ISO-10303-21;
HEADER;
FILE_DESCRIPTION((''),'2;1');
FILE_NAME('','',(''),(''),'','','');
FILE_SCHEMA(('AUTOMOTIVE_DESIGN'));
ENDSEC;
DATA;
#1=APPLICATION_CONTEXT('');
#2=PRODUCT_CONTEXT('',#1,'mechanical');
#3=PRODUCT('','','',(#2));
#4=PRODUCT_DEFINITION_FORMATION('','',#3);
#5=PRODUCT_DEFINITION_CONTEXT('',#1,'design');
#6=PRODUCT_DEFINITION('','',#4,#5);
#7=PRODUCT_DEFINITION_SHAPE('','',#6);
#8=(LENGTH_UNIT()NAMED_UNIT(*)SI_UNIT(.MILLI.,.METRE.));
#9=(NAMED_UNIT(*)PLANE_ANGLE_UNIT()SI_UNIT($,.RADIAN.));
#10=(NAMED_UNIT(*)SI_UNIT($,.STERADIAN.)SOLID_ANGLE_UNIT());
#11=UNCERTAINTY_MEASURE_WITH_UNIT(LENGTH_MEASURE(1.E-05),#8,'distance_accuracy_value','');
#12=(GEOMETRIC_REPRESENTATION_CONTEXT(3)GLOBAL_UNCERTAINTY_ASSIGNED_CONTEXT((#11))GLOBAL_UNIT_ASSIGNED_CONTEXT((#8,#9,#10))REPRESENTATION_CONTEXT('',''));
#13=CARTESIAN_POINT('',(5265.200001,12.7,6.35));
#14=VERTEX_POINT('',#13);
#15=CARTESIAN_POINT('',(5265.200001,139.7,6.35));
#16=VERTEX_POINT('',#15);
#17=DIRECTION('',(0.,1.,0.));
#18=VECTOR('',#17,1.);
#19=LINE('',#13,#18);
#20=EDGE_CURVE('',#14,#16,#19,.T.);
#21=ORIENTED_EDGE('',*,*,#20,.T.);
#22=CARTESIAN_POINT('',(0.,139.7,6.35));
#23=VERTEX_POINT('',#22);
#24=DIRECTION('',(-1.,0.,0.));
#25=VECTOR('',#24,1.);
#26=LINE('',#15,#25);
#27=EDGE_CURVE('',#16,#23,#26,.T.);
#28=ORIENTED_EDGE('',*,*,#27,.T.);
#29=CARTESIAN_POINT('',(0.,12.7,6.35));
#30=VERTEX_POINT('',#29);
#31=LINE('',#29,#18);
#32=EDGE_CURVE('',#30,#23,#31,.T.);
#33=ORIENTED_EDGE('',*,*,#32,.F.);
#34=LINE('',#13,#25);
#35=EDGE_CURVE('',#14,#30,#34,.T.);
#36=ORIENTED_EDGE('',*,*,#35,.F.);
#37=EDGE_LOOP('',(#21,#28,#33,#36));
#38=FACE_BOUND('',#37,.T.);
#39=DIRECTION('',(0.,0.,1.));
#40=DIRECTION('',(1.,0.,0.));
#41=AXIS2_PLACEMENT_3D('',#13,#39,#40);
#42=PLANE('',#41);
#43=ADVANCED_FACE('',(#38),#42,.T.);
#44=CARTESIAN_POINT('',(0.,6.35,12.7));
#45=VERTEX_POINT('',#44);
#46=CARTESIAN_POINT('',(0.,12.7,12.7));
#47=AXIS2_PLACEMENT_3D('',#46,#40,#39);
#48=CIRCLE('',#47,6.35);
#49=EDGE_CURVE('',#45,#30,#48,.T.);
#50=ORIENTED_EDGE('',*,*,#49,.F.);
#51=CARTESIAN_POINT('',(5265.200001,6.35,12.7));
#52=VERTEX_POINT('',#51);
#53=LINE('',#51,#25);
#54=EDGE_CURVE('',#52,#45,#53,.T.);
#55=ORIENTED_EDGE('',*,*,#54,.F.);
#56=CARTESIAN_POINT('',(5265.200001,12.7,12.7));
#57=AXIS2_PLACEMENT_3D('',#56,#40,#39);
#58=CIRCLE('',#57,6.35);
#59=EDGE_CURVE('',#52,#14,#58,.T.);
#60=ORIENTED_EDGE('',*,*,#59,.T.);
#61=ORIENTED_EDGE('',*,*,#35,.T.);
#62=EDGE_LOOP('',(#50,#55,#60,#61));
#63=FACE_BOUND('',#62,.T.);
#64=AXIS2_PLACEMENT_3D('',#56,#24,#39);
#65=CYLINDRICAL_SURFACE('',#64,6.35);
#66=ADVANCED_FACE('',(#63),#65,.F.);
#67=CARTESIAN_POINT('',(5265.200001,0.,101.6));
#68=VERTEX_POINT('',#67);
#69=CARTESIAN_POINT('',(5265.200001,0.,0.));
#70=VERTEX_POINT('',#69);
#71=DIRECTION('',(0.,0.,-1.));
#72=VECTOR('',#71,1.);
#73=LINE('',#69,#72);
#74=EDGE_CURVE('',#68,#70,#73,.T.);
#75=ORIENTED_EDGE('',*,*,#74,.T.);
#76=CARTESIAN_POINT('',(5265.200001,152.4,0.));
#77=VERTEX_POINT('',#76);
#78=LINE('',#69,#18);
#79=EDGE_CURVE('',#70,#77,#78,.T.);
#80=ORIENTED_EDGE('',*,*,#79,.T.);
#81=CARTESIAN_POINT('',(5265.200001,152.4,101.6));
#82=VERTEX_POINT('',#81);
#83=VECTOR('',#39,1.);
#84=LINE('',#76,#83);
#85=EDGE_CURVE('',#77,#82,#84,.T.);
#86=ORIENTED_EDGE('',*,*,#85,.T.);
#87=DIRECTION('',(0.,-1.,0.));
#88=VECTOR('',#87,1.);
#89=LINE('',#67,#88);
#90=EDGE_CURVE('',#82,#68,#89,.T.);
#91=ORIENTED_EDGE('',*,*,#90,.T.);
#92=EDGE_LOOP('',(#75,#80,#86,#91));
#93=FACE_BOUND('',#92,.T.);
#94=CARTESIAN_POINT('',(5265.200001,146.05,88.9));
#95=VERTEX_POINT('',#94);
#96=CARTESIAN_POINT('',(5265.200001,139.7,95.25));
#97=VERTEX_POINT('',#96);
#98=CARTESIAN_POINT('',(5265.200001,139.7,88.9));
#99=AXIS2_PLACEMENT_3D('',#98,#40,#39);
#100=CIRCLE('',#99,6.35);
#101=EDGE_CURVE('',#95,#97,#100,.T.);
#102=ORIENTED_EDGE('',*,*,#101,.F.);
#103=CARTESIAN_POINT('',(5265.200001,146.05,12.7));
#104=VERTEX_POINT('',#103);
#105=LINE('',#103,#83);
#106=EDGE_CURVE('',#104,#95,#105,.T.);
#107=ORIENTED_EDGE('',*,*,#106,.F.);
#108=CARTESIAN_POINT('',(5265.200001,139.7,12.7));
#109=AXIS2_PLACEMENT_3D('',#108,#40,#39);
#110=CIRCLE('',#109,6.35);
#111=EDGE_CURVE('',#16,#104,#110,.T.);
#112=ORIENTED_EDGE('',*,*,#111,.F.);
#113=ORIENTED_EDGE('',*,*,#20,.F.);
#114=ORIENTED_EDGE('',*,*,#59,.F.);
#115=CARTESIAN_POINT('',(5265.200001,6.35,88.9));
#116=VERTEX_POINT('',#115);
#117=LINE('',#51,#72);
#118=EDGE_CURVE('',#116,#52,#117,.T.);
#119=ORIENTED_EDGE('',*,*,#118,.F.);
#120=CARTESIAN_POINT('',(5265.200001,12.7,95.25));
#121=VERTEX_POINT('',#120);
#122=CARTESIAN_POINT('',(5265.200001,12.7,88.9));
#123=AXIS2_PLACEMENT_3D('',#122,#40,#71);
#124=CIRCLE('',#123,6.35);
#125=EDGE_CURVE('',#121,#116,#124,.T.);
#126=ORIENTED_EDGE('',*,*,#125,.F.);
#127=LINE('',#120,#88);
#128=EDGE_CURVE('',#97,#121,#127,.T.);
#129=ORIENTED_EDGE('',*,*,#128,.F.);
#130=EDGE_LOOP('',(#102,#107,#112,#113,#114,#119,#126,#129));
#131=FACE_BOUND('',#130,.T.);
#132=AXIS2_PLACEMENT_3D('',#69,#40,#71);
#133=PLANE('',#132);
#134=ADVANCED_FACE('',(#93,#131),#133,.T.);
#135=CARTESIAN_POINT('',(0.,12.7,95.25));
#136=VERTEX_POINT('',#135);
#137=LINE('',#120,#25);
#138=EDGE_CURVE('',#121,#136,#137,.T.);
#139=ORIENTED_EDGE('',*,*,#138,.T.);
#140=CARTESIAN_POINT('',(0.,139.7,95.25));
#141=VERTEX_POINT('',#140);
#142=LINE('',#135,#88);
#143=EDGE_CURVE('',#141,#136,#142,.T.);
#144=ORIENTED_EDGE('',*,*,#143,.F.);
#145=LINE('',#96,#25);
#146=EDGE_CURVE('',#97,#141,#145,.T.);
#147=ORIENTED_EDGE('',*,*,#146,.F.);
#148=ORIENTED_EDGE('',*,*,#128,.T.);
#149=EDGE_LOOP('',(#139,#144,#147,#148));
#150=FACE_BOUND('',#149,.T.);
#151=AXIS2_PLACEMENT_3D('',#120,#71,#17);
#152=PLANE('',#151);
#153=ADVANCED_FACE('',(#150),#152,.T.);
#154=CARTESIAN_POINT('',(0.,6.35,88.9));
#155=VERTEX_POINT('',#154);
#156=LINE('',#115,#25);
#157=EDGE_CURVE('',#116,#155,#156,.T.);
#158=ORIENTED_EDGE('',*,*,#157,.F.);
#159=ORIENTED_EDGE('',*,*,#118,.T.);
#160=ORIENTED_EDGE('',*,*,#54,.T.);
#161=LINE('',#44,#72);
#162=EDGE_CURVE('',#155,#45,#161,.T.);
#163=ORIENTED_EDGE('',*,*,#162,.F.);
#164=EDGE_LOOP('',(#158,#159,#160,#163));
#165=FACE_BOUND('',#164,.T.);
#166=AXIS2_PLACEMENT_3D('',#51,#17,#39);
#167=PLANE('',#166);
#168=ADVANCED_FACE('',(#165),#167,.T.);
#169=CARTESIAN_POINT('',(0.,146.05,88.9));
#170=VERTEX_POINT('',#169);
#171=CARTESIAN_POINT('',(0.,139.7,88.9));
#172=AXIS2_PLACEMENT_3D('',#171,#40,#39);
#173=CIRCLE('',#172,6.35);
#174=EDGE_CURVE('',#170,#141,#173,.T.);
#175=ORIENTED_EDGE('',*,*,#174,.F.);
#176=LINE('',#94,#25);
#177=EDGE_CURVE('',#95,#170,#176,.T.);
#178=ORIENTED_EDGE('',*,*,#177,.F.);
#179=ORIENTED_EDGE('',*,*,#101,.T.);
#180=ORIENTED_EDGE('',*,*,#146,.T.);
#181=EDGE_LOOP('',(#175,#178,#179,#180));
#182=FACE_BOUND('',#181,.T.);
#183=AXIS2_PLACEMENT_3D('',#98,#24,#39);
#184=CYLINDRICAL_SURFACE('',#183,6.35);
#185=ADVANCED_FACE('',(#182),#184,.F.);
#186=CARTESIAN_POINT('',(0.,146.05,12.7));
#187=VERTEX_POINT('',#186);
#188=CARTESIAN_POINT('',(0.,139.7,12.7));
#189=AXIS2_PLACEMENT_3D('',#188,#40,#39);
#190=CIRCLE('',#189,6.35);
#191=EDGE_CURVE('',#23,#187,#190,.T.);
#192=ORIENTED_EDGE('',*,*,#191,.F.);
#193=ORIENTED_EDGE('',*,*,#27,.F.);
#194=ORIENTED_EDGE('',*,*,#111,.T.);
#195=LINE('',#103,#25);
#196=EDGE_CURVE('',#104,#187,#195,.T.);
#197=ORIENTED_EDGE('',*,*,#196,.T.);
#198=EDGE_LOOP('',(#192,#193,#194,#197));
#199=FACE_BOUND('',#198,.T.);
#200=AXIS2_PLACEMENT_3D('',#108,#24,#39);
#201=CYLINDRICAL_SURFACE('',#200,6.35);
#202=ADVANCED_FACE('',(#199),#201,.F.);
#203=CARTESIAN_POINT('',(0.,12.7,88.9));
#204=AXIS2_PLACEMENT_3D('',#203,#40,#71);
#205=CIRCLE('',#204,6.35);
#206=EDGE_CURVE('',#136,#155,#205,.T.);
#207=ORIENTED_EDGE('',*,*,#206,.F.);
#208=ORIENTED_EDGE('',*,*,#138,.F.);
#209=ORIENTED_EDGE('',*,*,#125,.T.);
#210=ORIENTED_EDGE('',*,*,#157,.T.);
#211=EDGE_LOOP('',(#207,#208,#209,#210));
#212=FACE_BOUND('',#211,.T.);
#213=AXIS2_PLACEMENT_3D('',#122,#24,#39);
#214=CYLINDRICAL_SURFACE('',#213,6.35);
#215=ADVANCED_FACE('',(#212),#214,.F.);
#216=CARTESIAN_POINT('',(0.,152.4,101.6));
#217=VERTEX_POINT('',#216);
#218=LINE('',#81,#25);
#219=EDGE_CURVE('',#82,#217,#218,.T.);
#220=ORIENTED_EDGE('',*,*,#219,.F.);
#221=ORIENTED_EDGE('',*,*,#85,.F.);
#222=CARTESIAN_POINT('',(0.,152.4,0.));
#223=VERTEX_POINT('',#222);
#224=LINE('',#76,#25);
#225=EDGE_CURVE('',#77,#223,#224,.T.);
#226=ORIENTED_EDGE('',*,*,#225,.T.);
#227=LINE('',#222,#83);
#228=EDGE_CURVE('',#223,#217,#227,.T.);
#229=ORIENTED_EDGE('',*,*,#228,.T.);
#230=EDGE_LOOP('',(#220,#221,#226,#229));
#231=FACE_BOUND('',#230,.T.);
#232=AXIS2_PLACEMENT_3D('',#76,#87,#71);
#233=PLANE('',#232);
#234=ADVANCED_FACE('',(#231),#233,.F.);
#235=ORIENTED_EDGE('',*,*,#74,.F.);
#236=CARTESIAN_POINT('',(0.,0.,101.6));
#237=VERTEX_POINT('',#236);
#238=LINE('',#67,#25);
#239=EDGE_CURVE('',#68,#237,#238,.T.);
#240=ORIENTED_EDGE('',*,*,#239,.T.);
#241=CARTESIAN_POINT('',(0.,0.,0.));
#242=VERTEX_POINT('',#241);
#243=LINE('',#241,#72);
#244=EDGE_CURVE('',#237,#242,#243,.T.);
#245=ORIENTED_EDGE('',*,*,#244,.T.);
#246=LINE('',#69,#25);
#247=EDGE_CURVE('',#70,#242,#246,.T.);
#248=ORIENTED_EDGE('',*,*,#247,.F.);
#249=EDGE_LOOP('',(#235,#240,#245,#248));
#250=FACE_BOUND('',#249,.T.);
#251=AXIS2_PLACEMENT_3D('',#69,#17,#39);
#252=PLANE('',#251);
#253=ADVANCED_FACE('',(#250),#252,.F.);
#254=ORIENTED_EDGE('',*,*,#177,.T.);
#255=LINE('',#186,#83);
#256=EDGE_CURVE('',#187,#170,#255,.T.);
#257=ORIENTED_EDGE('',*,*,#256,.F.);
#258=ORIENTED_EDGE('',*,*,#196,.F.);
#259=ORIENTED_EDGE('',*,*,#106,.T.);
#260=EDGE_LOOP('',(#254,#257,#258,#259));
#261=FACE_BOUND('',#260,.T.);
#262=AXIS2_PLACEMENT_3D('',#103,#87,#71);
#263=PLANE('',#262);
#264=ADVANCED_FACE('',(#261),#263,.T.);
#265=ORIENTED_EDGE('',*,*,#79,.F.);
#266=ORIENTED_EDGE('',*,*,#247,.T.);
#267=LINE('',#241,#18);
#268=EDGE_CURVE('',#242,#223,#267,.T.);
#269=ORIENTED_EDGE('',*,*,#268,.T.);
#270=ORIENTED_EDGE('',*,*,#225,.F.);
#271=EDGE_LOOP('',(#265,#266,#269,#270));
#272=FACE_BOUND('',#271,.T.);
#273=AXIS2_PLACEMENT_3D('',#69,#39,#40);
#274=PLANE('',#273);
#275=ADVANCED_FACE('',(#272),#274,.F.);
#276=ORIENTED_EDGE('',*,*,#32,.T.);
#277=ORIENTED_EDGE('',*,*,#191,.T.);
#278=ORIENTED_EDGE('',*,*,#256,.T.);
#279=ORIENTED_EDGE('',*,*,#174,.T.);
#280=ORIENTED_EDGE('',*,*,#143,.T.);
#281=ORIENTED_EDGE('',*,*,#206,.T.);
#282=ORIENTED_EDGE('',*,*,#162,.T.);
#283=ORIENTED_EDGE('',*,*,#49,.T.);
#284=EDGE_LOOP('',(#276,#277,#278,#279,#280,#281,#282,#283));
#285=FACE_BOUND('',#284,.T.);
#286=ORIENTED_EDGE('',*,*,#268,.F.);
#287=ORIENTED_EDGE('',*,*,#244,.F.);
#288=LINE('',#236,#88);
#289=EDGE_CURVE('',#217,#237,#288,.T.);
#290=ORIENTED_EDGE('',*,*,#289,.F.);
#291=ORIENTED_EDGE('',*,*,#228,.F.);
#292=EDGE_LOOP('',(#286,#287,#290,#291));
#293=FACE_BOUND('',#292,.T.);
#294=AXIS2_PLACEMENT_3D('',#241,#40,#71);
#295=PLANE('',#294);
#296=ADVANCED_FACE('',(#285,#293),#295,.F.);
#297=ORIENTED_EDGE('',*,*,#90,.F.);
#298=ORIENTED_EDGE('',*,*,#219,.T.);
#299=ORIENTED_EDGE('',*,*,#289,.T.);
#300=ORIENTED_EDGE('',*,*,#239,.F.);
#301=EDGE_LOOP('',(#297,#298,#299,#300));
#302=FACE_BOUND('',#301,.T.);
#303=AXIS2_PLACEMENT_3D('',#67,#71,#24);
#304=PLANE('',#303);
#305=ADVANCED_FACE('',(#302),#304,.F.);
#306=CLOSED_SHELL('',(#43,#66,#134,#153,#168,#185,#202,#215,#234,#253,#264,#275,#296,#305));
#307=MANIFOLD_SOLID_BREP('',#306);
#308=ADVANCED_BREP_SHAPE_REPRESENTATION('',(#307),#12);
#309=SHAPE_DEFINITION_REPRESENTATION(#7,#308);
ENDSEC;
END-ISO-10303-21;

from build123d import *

# Parameters (mm, degrees)
SKETCH1_W           = 101.6
SKETCH1_H           = 152.4
BOSS_EXTRUDE1_DEPTH = 5265.200001456


with BuildPart() as part:
    # Sketch1 → Boss-Extrude1 (new body)
    with BuildSketch(Plane(origin=(0, 0, 0), x_dir=(0, 0, -1), z_dir=(1, 0, 0))):
        with Locations((-50.8, 76.2)):
            Rectangle(SKETCH1_W, SKETCH1_H)
        with BuildLine():
            Line((-95.25, 12.7), (-95.25, 139.7))
            ThreePointArc((-95.25, 139.7), (-93.390128061, 144.190128061), (-88.9, 146.05))
            Line((-88.9, 146.05), (-12.7, 146.05))
            ThreePointArc((-12.7, 146.05), (-8.209871939, 144.190128061), (-6.35, 139.7))
            Line((-6.35, 139.7), (-6.35, 12.7))
            ThreePointArc((-6.35, 12.7), (-8.209871939, 8.209871939), (-12.7, 6.35))
            Line((-12.7, 6.35), (-88.9, 6.35))
            ThreePointArc((-88.9, 6.35), (-93.390128061, 8.209871939), (-95.25, 12.7))
        make_face(mode=Mode.SUBTRACT)
    extrude(amount=BOSS_EXTRUDE1_DEPTH)


solid = part.part
